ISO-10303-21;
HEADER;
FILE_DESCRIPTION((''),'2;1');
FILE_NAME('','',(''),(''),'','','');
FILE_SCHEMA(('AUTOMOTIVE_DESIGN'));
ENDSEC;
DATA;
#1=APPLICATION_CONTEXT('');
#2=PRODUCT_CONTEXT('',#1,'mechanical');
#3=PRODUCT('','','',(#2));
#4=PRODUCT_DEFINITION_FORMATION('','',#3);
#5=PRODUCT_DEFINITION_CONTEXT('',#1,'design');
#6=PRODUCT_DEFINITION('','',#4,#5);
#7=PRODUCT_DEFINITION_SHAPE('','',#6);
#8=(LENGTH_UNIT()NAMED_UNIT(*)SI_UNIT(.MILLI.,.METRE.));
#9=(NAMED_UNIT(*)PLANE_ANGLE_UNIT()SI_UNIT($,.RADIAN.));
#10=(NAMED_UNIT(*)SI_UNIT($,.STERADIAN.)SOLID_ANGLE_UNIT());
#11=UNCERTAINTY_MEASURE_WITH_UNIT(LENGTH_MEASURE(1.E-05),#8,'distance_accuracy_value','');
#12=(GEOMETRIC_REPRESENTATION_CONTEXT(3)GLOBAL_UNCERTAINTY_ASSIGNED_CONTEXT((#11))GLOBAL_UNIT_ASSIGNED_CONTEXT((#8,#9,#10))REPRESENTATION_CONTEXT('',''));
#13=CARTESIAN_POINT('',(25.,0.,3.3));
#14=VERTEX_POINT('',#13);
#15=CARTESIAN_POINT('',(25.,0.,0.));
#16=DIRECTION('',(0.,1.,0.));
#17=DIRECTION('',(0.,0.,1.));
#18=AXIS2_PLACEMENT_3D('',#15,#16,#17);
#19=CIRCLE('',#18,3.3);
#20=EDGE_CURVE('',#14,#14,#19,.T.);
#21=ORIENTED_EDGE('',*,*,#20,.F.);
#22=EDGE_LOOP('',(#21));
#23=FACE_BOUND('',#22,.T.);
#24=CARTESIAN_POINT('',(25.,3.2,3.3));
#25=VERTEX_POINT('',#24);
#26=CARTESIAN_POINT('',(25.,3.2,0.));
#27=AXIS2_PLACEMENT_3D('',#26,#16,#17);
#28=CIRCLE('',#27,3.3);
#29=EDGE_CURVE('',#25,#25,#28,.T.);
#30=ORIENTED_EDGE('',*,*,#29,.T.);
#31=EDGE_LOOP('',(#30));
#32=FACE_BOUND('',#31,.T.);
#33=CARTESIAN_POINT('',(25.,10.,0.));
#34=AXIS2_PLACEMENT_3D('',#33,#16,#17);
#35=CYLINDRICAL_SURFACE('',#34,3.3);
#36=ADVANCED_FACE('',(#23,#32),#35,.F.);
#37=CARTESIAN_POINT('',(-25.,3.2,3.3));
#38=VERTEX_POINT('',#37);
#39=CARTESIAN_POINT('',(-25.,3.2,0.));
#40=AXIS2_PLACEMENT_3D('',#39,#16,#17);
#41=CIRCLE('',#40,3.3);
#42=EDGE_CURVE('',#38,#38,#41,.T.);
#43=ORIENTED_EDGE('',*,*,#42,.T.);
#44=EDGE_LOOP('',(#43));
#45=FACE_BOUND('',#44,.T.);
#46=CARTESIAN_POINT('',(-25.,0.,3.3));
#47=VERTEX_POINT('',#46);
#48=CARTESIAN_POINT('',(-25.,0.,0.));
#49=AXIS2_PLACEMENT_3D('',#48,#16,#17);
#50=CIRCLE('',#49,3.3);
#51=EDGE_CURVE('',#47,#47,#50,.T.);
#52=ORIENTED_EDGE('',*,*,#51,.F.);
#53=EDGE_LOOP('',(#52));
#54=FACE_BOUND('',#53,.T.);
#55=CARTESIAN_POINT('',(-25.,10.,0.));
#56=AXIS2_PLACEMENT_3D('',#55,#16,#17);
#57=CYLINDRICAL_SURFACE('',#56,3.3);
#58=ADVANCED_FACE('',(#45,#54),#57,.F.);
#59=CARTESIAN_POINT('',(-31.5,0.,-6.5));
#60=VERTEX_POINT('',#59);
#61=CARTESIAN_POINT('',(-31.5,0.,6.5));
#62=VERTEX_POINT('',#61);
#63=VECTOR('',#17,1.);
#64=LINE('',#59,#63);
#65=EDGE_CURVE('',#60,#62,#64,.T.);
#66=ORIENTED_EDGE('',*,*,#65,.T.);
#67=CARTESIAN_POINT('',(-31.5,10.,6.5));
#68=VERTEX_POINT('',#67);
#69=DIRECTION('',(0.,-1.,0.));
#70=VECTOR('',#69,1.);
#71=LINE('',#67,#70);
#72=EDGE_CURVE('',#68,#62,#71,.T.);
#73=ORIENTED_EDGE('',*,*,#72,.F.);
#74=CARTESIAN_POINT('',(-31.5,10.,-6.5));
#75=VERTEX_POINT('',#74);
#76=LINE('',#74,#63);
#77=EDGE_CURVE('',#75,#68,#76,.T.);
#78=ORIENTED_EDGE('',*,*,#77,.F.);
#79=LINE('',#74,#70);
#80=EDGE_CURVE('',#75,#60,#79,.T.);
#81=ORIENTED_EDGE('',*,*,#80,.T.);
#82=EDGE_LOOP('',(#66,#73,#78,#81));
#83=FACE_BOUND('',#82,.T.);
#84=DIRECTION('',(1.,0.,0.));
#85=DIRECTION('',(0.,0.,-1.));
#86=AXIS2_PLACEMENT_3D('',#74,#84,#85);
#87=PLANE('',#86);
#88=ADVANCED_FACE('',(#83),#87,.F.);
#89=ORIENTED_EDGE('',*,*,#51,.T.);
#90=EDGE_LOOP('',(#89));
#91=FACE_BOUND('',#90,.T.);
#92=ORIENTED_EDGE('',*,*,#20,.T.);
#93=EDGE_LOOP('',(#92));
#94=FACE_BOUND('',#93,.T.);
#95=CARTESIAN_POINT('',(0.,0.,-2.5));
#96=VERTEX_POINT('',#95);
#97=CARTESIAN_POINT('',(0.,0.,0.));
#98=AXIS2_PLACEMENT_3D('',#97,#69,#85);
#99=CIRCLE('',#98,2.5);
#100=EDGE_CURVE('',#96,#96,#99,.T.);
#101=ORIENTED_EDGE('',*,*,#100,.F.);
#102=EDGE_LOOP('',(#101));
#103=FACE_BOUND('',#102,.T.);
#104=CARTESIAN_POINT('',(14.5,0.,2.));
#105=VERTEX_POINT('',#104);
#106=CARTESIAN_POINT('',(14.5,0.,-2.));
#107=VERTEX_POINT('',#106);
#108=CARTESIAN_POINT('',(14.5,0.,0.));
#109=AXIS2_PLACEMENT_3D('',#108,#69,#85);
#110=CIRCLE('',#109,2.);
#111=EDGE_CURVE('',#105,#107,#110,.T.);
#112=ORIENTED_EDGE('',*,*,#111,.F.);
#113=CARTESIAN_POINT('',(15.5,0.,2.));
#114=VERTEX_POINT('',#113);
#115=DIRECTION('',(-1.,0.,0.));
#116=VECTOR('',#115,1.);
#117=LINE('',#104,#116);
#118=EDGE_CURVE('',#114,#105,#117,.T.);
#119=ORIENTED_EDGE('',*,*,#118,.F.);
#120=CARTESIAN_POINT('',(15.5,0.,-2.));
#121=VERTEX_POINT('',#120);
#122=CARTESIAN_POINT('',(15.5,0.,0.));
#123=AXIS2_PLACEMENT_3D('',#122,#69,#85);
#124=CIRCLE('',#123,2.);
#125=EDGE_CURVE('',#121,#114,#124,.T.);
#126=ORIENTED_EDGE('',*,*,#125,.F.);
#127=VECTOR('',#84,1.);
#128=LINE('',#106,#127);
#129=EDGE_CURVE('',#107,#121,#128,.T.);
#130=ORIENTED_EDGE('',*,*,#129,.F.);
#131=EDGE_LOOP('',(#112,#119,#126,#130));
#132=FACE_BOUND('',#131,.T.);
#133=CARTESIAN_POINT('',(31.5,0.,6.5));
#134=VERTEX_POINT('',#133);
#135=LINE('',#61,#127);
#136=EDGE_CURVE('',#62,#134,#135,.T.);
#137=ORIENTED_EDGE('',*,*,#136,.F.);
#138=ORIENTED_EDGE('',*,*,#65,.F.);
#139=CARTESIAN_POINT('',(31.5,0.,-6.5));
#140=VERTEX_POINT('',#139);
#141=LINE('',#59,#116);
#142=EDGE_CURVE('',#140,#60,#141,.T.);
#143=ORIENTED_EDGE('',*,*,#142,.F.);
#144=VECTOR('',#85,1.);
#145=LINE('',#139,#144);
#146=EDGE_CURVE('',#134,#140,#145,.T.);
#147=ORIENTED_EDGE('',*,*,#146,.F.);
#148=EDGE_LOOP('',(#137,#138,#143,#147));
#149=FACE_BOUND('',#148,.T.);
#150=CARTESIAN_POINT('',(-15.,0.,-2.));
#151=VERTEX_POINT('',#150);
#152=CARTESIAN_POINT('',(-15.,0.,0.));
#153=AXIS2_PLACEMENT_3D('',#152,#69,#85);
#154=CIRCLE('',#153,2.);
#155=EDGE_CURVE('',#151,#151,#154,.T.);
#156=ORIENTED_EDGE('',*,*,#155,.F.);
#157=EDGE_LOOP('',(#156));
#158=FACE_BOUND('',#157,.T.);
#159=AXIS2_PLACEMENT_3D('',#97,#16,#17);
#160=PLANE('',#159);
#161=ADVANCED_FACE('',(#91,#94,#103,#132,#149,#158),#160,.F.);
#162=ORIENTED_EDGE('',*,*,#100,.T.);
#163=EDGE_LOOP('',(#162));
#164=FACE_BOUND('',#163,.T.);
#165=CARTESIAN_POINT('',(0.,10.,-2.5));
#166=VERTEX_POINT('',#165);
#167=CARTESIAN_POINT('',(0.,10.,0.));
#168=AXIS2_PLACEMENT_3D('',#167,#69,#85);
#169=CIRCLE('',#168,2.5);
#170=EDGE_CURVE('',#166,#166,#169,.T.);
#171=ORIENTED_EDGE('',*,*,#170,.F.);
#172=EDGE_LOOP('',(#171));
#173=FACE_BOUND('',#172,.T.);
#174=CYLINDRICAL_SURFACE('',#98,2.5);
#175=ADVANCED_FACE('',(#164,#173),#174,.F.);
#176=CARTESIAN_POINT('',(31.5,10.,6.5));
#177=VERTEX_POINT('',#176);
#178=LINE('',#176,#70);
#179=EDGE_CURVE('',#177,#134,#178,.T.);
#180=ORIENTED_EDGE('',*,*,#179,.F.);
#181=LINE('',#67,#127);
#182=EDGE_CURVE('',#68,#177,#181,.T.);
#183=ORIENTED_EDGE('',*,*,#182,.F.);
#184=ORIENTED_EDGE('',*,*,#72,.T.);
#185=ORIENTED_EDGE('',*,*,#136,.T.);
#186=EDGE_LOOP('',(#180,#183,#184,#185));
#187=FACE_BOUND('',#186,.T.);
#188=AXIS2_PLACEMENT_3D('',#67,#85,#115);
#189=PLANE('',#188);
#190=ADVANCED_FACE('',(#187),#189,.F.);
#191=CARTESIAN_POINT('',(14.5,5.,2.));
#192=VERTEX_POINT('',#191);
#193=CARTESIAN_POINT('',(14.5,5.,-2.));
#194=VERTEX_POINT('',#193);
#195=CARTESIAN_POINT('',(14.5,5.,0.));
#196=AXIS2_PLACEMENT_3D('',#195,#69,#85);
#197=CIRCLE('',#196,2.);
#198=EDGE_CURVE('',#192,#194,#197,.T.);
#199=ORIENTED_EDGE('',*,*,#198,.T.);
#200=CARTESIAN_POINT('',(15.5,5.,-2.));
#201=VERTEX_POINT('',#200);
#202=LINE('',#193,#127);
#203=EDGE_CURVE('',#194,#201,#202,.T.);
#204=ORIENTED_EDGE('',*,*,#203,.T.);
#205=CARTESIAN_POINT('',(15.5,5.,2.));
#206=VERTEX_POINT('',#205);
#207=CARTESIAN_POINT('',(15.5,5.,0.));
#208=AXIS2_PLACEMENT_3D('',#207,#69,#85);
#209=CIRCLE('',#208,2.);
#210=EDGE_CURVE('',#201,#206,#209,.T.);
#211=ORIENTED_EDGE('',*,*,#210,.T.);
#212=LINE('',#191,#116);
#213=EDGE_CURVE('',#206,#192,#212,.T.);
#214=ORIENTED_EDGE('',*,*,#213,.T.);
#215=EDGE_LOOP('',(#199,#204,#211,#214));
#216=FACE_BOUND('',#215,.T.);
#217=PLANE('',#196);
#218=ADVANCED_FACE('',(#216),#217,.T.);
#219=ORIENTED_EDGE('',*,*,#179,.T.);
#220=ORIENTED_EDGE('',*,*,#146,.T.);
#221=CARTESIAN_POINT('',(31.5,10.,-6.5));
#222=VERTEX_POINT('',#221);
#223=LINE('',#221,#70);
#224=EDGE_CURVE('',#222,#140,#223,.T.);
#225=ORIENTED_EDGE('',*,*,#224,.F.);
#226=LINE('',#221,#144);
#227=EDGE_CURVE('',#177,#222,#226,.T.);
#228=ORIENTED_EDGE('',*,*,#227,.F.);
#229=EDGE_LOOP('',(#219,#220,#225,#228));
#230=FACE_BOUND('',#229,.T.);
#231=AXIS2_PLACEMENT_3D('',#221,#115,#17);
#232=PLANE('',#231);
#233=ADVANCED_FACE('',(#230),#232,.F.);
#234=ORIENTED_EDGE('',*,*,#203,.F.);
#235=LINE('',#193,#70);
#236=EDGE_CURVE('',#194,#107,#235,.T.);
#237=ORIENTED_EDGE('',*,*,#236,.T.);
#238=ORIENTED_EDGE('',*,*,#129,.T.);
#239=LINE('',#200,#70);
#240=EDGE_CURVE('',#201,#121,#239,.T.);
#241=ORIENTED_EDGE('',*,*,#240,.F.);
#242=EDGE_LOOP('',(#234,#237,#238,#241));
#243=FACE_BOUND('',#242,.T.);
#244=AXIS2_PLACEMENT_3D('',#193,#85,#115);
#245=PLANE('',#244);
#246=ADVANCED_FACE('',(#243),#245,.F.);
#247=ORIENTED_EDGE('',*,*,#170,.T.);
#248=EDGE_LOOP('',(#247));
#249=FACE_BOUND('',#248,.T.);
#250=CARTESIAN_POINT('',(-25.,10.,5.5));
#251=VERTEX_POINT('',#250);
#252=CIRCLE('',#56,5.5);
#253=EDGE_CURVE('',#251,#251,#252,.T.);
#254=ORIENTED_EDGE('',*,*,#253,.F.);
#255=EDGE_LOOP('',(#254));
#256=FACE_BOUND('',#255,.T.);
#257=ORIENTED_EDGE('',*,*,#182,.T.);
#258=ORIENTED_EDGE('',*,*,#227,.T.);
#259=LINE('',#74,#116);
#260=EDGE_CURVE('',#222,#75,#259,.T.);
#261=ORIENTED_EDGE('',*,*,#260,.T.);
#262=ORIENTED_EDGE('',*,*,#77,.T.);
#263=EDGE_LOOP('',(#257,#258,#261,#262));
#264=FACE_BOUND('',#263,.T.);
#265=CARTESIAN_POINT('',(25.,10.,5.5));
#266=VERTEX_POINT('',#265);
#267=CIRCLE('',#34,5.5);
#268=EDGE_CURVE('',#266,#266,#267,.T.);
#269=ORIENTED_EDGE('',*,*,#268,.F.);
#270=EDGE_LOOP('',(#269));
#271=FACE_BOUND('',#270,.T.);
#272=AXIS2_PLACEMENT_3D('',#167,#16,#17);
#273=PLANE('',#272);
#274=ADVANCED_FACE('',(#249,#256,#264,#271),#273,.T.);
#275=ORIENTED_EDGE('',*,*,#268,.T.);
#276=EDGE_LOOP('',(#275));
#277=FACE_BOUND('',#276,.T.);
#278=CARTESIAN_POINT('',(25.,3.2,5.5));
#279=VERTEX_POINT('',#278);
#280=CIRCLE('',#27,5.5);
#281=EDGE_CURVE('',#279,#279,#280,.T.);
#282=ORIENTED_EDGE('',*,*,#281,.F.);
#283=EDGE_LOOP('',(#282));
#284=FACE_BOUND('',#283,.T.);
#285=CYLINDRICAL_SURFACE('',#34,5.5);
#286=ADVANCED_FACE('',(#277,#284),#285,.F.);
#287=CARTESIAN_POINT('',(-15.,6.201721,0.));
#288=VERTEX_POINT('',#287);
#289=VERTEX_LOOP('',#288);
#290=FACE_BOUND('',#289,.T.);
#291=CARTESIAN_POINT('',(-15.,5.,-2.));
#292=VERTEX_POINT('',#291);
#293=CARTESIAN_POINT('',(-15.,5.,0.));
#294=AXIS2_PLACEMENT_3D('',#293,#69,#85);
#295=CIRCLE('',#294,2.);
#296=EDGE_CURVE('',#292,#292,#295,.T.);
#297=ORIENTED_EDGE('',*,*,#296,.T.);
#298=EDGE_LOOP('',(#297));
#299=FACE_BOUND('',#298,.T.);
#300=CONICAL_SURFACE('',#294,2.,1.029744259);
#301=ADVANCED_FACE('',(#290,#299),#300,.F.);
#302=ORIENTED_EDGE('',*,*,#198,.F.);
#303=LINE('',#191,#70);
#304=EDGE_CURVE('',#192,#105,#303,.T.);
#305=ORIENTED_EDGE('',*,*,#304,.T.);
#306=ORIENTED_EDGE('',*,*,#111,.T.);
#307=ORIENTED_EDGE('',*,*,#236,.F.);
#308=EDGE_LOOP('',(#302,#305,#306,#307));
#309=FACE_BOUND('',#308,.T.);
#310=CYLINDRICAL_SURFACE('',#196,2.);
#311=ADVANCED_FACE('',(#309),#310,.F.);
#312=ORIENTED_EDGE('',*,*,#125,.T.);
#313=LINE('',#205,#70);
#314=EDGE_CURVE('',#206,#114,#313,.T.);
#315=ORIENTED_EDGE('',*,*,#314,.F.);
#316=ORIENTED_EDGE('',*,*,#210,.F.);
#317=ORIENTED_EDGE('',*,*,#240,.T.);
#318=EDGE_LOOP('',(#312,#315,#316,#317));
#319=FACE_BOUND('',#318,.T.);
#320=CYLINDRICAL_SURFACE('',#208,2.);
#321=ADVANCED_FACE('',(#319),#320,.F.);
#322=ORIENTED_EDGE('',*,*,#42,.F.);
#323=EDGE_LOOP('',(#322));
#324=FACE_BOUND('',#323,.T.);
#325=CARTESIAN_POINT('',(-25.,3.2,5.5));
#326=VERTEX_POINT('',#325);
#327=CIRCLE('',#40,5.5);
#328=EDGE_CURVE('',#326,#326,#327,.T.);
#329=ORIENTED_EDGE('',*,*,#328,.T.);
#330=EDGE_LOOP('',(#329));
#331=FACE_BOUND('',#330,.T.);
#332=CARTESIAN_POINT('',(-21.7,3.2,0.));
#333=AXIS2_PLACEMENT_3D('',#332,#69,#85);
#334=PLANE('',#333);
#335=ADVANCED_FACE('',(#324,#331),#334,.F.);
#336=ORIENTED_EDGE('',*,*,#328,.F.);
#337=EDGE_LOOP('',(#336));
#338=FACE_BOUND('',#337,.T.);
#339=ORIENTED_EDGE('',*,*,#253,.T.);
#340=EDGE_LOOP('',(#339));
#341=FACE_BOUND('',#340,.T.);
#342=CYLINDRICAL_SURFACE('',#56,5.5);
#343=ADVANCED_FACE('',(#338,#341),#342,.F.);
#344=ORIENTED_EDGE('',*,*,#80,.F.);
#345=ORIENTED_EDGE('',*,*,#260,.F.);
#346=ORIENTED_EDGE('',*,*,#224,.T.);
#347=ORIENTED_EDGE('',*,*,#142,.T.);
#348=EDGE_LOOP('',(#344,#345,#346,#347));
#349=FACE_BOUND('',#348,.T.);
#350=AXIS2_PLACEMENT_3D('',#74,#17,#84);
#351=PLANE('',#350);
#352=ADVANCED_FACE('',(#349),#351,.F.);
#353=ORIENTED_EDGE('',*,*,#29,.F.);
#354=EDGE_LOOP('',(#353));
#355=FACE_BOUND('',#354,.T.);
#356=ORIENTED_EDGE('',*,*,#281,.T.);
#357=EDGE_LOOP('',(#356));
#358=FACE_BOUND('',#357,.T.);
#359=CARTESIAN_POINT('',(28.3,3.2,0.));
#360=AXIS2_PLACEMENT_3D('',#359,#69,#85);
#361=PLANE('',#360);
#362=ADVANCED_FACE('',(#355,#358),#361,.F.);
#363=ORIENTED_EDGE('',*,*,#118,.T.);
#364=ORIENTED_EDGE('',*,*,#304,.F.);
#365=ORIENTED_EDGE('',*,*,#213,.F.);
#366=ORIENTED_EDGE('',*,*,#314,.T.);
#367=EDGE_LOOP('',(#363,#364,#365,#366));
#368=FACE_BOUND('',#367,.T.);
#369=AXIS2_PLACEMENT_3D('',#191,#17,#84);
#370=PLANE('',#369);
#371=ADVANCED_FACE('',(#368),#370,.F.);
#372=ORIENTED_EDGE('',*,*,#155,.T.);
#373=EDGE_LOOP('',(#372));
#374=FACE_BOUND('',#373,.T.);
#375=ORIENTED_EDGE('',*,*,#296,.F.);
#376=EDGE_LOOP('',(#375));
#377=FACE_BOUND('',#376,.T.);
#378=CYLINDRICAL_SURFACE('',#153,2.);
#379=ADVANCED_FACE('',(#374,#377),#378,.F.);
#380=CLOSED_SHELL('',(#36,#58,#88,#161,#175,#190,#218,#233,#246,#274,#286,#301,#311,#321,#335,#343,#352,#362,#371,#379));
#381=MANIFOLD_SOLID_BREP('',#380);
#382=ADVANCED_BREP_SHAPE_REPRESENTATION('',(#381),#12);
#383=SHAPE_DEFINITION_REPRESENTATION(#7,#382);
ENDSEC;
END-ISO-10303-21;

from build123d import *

# Parameters (mm, degrees)
SKETCH_1_W                = 63
SKETCH_1_H                = 13
EXTRUDE_1_DEPTH           = 10
HOLE_WIZARD_1_D           = 6.6
HOLE_WIZARD_1_CBORE_D     = 11
HOLE_WIZARD_1_CBORE_DEPTH = 6.8
MM_1_D                    = 4
MM_1_DEPTH                = 5
MM_1_TIP                  = 1.201721238
CUT_EXTRUDE_1_DEPTH       = 5
HOLE_WIZARD_M6_1_D        = 5


with BuildPart() as part:
    # 草图1 → 凸台-拉伸1 (new body)
    with BuildSketch(Plane(origin=(0, 0, 0), x_dir=(1, 0, 0), z_dir=(0, 1, 0))):
        Rectangle(SKETCH_1_W, SKETCH_1_H)
    extrude(amount=EXTRUDE_1_DEPTH)

    # 打孔尺寸(%根据)内六角圆柱头螺钉的类型1 (through all)
    with Locations(Plane(origin=(-25, 10, 0), x_dir=(0, 0, 1), z_dir=(0, 1, 0))):
        with Locations((0, 0), (0, 50)):
            CounterBoreHole(HOLE_WIZARD_1_D / 2, HOLE_WIZARD_1_CBORE_D / 2, HOLE_WIZARD_1_CBORE_DEPTH)

    # 大小mm 暗销孔1
    with Locations(Plane(origin=(-15, 0, 0), x_dir=(0, 0, -1), z_dir=(0, -1, 0))):
        with Locations((0, 0)):
            Hole(MM_1_D / 2, depth=MM_1_DEPTH)
            with Locations((0, 0, -(MM_1_DEPTH + MM_1_TIP / 2))):  # 118° drill point
                Cone(0, MM_1_D / 2, MM_1_TIP, mode=Mode.SUBTRACT)

    # 草图6 → 切除-拉伸1 (cut)
    with BuildSketch(Plane.XZ):
        with BuildLine():
            Line((14.5, 2), (15.5, 2))
            ThreePointArc((15.5, 2), (17.5, 0), (15.5, -2))
            Line((15.5, -2), (14.5, -2))
            ThreePointArc((14.5, -2), (12.5, 0), (14.5, 2))
        make_face()
    extrude(amount=-CUT_EXTRUDE_1_DEPTH, mode=Mode.SUBTRACT)

    # M6 螺纹孔1 (through all)
    with Locations(Plane(origin=(0, 0, 0), x_dir=(0, 0, -1), z_dir=(0, -1, 0))):
        with Locations((0, 0)):
            Hole(HOLE_WIZARD_M6_1_D / 2)


solid = part.part
